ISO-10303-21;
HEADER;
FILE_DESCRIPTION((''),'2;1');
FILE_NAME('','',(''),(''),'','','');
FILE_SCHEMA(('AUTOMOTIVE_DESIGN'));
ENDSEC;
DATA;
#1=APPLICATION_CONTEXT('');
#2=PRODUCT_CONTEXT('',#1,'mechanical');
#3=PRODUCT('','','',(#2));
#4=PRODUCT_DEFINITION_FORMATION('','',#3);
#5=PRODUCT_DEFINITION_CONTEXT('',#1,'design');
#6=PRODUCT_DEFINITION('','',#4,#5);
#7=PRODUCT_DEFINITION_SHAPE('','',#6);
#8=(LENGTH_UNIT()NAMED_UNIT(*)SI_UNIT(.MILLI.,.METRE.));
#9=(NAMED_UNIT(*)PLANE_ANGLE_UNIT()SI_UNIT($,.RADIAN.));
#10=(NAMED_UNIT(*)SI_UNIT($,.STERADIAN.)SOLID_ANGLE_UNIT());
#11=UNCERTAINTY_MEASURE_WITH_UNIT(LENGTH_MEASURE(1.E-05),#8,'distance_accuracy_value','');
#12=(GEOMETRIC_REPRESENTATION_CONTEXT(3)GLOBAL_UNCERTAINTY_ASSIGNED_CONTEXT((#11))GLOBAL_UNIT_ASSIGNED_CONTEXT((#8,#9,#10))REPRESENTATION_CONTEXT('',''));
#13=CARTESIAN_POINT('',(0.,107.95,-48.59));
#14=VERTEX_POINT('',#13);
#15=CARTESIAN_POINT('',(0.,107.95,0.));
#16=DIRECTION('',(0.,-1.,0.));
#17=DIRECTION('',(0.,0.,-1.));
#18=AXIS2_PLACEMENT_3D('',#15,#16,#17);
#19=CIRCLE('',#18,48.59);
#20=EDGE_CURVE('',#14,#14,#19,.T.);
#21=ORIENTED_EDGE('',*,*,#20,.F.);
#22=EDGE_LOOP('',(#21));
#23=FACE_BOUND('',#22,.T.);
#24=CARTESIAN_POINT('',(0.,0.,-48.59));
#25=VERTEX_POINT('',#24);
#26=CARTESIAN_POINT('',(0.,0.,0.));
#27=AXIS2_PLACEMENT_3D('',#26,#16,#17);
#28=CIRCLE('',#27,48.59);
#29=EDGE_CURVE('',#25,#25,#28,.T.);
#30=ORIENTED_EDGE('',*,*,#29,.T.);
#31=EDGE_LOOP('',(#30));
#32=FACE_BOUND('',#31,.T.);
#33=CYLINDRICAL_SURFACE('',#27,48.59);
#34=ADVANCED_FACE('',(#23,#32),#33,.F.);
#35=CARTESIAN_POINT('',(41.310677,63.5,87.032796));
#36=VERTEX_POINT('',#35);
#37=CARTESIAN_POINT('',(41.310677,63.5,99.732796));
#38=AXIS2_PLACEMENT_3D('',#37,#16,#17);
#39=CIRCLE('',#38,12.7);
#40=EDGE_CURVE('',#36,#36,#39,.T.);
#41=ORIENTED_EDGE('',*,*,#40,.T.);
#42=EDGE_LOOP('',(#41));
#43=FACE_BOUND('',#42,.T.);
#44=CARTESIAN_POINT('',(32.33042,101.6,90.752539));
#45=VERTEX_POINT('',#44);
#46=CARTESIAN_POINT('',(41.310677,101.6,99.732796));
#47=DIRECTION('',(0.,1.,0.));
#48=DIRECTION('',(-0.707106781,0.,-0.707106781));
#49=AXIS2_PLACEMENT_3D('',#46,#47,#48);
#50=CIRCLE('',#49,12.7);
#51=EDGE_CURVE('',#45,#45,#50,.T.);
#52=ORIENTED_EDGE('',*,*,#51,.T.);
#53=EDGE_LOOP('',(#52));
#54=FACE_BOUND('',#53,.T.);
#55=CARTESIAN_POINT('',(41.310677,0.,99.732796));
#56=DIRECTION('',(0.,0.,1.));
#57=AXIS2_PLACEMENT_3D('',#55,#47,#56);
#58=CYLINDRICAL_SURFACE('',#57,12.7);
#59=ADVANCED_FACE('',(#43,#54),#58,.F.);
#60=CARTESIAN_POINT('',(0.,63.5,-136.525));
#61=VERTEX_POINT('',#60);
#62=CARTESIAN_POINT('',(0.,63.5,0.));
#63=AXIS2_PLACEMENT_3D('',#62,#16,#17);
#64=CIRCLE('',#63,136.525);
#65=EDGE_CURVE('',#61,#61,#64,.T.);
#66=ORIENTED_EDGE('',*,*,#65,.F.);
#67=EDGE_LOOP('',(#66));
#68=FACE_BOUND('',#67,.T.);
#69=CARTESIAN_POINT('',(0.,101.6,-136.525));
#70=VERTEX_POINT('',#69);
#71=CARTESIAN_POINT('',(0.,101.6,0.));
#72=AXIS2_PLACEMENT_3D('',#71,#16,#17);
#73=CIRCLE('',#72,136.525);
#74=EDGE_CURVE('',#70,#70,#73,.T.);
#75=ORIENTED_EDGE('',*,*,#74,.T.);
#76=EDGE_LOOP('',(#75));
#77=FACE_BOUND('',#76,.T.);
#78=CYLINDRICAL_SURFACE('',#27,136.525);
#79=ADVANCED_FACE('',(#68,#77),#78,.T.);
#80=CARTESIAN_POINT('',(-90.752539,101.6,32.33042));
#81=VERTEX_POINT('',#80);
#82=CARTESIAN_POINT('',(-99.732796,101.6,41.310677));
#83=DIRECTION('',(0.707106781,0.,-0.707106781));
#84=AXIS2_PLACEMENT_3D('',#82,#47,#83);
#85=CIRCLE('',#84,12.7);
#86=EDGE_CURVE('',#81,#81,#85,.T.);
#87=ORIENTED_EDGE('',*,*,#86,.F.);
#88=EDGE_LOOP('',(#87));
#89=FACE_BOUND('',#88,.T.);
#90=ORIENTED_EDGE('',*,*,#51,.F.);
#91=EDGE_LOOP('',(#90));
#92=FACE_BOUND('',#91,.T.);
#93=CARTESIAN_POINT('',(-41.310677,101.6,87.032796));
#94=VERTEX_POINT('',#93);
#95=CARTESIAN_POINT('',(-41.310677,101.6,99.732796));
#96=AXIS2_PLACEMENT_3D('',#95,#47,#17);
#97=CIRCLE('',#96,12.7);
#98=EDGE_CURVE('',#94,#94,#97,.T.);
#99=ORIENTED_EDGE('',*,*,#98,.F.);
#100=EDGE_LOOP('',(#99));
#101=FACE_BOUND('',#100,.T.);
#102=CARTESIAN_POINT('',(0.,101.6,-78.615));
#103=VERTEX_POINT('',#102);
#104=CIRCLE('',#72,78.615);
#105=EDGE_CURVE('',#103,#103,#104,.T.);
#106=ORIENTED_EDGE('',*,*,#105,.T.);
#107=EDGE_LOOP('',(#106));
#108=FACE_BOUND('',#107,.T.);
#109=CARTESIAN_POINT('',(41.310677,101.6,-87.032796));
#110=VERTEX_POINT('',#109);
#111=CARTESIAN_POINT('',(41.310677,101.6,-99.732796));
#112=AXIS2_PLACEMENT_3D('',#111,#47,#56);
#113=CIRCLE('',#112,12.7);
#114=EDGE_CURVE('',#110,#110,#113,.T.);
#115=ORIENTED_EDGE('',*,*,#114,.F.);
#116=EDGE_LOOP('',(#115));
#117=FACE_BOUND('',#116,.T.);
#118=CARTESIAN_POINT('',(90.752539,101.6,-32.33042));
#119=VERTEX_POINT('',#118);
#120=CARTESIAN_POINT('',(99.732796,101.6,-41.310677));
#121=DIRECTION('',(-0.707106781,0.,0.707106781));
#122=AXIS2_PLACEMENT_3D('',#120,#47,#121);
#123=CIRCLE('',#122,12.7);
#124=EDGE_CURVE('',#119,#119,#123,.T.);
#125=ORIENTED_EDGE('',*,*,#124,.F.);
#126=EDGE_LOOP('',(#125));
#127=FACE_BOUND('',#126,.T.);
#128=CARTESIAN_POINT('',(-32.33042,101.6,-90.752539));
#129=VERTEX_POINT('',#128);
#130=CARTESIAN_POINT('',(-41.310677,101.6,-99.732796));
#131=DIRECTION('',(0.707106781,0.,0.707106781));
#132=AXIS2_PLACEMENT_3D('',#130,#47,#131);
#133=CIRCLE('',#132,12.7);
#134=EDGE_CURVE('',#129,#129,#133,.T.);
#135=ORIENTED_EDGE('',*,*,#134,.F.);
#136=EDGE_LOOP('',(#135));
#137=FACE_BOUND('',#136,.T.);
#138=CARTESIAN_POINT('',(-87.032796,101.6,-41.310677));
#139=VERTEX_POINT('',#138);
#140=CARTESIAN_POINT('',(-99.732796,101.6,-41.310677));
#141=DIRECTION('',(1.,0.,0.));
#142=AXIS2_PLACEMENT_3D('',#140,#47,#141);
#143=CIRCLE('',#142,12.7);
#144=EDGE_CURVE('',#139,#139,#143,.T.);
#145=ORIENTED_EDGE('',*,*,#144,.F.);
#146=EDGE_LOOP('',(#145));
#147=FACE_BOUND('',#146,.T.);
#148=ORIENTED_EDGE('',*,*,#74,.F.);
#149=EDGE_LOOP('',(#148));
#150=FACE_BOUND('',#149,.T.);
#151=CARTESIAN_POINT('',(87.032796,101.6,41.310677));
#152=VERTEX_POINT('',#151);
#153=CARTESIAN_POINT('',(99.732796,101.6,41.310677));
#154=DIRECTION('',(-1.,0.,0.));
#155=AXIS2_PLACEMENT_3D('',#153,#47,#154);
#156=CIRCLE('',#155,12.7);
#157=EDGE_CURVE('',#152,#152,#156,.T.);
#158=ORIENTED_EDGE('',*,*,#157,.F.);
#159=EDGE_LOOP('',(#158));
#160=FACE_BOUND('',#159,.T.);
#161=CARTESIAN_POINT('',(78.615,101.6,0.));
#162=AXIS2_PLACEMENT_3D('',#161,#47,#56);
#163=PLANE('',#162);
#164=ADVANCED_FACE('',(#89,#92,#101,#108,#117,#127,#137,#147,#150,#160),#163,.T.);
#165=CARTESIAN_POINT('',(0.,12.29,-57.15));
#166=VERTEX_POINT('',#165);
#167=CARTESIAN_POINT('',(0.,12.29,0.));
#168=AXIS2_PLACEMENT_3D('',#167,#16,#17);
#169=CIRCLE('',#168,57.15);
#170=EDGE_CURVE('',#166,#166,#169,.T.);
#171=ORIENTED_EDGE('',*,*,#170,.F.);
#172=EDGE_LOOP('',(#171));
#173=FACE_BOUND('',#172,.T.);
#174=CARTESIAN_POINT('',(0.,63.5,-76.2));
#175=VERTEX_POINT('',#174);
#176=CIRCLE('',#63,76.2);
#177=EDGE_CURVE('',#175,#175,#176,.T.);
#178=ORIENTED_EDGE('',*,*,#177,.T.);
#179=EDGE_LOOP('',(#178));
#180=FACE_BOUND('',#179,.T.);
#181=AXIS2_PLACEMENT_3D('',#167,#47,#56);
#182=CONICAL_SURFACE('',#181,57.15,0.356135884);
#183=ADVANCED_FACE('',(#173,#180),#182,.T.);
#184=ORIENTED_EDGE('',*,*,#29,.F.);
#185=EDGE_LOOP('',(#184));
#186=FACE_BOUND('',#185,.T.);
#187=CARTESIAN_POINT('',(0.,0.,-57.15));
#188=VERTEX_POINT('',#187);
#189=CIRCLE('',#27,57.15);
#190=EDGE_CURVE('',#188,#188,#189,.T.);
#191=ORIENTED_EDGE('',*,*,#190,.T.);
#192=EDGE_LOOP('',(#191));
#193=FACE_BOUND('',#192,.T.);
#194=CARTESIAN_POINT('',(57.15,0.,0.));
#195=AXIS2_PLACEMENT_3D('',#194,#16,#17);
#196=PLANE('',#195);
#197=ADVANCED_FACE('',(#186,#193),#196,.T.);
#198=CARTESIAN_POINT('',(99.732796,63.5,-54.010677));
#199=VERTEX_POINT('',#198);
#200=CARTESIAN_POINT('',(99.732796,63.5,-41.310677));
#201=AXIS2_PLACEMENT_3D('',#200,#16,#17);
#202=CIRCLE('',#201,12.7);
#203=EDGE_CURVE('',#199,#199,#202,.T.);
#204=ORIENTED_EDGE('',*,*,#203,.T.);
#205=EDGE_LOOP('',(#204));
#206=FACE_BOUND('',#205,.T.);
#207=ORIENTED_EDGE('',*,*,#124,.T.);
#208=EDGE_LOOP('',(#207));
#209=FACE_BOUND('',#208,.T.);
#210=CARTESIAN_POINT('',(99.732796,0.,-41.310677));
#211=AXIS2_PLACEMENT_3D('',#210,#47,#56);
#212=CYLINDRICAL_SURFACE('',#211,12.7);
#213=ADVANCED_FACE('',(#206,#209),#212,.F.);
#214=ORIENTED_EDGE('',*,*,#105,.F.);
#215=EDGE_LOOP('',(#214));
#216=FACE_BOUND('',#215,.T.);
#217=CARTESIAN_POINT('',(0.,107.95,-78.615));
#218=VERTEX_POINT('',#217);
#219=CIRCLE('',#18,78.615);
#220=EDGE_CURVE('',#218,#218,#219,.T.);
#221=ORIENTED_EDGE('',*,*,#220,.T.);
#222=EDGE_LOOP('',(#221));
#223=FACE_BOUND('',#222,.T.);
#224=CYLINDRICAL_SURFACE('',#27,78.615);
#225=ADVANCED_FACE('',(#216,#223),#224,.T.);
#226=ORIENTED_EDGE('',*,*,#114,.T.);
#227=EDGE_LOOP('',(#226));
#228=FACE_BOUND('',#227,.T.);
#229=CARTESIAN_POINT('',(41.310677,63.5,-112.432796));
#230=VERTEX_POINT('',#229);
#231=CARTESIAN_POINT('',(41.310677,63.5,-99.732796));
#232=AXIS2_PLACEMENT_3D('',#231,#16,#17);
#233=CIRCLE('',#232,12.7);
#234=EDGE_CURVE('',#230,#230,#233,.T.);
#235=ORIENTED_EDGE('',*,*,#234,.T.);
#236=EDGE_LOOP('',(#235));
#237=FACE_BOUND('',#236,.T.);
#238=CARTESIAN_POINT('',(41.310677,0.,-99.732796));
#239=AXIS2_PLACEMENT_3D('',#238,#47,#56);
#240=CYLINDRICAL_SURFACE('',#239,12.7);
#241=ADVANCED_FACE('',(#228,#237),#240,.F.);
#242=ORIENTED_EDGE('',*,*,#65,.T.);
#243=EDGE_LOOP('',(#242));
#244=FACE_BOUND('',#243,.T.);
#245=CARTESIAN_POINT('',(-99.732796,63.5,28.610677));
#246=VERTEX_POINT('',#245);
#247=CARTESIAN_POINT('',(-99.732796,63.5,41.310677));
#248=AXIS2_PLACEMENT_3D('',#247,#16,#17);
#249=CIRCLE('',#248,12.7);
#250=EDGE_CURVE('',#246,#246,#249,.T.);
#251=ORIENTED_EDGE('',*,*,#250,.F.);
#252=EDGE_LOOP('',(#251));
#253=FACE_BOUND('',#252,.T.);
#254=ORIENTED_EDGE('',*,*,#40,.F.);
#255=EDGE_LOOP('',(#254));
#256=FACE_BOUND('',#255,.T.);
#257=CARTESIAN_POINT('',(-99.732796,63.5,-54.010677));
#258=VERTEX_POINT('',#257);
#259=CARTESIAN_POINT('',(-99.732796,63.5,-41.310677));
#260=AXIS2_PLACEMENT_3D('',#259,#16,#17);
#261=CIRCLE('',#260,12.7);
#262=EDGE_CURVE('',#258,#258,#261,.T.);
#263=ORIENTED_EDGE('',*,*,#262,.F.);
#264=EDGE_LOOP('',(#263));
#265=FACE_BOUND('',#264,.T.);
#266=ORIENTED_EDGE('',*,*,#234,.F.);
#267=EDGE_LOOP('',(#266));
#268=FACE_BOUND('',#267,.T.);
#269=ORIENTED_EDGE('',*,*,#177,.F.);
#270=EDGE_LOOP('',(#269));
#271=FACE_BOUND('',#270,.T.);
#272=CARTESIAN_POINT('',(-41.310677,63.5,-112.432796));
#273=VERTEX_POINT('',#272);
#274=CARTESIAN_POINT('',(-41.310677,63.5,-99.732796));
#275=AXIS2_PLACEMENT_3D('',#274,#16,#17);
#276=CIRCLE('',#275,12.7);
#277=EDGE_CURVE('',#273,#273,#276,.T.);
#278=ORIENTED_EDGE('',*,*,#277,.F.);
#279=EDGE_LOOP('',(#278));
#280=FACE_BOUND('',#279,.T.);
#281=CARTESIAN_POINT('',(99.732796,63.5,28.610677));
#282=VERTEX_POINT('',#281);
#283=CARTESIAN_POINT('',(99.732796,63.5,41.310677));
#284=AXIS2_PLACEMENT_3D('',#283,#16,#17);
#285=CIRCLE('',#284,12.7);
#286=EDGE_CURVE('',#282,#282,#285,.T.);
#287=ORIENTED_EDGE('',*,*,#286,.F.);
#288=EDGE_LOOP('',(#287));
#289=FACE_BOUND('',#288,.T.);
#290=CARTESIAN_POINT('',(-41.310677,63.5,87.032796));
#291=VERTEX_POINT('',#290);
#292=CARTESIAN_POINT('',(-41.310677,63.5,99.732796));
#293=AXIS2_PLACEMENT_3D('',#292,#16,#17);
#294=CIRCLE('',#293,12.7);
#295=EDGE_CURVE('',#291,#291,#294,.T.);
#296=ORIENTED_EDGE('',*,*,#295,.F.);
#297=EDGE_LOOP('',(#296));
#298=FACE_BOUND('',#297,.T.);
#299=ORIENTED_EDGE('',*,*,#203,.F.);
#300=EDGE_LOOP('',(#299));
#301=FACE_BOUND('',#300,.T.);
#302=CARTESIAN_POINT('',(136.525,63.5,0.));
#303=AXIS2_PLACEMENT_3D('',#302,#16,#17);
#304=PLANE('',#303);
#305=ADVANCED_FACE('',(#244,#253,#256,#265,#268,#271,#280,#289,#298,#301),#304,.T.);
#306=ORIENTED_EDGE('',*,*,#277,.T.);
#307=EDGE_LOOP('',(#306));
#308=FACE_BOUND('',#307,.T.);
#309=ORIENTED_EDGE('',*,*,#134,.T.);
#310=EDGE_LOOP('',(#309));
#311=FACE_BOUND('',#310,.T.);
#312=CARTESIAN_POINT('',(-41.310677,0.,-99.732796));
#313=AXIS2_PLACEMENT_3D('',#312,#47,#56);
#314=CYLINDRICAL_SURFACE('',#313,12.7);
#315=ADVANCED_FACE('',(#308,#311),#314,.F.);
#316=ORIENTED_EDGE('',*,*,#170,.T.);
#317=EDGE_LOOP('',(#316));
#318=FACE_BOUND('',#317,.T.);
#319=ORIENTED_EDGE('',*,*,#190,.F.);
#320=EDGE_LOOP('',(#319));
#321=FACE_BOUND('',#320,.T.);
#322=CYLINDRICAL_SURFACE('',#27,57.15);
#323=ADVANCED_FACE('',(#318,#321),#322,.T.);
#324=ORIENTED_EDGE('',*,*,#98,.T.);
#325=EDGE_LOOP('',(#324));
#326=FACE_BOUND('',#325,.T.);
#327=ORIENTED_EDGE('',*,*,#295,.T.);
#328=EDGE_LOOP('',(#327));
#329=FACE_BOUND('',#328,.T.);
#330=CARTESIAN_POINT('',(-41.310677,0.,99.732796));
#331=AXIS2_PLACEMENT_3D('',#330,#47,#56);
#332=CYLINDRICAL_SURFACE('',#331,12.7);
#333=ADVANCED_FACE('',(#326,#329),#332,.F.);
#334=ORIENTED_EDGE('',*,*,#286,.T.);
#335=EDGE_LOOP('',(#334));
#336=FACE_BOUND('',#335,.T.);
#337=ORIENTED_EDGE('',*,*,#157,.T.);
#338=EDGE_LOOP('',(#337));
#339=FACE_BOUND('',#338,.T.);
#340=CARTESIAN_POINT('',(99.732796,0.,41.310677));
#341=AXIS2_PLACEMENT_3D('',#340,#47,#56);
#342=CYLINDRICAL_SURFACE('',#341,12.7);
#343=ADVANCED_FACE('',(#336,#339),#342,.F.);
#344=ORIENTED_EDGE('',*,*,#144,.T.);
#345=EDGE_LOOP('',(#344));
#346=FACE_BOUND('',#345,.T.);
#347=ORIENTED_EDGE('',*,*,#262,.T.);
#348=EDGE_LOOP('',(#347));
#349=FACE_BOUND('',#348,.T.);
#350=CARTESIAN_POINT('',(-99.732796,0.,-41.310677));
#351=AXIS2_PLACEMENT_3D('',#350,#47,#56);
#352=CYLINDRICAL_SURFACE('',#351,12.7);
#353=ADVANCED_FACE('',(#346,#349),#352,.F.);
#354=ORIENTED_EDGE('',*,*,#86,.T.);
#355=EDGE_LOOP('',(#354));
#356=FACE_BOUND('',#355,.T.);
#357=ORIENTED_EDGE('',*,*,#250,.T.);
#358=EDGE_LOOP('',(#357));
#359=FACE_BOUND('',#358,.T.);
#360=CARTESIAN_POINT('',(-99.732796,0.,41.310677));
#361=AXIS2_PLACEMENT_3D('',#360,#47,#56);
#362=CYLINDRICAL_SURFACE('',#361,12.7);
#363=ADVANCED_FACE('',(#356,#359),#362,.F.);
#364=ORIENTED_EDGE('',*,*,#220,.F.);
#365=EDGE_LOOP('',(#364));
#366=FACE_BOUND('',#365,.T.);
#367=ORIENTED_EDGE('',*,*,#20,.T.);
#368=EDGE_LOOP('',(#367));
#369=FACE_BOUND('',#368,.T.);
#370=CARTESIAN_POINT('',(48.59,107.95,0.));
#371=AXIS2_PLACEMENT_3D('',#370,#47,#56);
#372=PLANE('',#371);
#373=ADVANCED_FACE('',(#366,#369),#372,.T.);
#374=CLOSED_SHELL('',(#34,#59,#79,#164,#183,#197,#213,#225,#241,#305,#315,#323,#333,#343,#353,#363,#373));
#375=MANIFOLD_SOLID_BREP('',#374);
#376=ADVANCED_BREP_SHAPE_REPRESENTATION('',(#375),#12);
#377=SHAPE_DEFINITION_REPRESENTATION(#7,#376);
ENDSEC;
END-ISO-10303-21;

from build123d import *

# Parameters (mm, degrees)
ESBO_O2_R             = 12.7
CORTE_EXTRUS_O1_DEPTH = 102.6
PADR_OCIRCULAR1_COUNT = 8


with BuildPart() as part:
    # Esboço1 → Revolução1 (revolve)
    with BuildSketch(Plane.XY):
        Polygon((48.59, 0), (48.59, 107.95), (78.615, 107.95), (78.615, 101.6), (136.525, 101.6), (136.525, 63.5), (76.2, 63.5), (57.15, 12.29), (57.15, 0), align=None)
    revolve(axis=Axis((0, 0, 0), (0, 1, 0)))

    # Esboço2 → Corte-extrusão1 (cut, through all)
    with BuildSketch(Plane(origin=(0, 101.6, 0), x_dir=(1, 0, 0), z_dir=(0, 1, 0))):
        with Locations((41.310676524, 99.732795535)):
            Circle(ESBO_O2_R)
    corte_extrus_o1 = extrude(amount=-CORTE_EXTRUS_O1_DEPTH, mode=Mode.SUBTRACT)

    # PadrãoCircular1: Corte-extrusão1 ×8 about axis
    padr_ocircular1_axis = Axis((0, 0, 0), (0, 1, 0))
    for i in range(1, PADR_OCIRCULAR1_COUNT):
        add(corte_extrus_o1.rotate(padr_ocircular1_axis, i * 360 / PADR_OCIRCULAR1_COUNT), mode=Mode.SUBTRACT)


solid = part.part
